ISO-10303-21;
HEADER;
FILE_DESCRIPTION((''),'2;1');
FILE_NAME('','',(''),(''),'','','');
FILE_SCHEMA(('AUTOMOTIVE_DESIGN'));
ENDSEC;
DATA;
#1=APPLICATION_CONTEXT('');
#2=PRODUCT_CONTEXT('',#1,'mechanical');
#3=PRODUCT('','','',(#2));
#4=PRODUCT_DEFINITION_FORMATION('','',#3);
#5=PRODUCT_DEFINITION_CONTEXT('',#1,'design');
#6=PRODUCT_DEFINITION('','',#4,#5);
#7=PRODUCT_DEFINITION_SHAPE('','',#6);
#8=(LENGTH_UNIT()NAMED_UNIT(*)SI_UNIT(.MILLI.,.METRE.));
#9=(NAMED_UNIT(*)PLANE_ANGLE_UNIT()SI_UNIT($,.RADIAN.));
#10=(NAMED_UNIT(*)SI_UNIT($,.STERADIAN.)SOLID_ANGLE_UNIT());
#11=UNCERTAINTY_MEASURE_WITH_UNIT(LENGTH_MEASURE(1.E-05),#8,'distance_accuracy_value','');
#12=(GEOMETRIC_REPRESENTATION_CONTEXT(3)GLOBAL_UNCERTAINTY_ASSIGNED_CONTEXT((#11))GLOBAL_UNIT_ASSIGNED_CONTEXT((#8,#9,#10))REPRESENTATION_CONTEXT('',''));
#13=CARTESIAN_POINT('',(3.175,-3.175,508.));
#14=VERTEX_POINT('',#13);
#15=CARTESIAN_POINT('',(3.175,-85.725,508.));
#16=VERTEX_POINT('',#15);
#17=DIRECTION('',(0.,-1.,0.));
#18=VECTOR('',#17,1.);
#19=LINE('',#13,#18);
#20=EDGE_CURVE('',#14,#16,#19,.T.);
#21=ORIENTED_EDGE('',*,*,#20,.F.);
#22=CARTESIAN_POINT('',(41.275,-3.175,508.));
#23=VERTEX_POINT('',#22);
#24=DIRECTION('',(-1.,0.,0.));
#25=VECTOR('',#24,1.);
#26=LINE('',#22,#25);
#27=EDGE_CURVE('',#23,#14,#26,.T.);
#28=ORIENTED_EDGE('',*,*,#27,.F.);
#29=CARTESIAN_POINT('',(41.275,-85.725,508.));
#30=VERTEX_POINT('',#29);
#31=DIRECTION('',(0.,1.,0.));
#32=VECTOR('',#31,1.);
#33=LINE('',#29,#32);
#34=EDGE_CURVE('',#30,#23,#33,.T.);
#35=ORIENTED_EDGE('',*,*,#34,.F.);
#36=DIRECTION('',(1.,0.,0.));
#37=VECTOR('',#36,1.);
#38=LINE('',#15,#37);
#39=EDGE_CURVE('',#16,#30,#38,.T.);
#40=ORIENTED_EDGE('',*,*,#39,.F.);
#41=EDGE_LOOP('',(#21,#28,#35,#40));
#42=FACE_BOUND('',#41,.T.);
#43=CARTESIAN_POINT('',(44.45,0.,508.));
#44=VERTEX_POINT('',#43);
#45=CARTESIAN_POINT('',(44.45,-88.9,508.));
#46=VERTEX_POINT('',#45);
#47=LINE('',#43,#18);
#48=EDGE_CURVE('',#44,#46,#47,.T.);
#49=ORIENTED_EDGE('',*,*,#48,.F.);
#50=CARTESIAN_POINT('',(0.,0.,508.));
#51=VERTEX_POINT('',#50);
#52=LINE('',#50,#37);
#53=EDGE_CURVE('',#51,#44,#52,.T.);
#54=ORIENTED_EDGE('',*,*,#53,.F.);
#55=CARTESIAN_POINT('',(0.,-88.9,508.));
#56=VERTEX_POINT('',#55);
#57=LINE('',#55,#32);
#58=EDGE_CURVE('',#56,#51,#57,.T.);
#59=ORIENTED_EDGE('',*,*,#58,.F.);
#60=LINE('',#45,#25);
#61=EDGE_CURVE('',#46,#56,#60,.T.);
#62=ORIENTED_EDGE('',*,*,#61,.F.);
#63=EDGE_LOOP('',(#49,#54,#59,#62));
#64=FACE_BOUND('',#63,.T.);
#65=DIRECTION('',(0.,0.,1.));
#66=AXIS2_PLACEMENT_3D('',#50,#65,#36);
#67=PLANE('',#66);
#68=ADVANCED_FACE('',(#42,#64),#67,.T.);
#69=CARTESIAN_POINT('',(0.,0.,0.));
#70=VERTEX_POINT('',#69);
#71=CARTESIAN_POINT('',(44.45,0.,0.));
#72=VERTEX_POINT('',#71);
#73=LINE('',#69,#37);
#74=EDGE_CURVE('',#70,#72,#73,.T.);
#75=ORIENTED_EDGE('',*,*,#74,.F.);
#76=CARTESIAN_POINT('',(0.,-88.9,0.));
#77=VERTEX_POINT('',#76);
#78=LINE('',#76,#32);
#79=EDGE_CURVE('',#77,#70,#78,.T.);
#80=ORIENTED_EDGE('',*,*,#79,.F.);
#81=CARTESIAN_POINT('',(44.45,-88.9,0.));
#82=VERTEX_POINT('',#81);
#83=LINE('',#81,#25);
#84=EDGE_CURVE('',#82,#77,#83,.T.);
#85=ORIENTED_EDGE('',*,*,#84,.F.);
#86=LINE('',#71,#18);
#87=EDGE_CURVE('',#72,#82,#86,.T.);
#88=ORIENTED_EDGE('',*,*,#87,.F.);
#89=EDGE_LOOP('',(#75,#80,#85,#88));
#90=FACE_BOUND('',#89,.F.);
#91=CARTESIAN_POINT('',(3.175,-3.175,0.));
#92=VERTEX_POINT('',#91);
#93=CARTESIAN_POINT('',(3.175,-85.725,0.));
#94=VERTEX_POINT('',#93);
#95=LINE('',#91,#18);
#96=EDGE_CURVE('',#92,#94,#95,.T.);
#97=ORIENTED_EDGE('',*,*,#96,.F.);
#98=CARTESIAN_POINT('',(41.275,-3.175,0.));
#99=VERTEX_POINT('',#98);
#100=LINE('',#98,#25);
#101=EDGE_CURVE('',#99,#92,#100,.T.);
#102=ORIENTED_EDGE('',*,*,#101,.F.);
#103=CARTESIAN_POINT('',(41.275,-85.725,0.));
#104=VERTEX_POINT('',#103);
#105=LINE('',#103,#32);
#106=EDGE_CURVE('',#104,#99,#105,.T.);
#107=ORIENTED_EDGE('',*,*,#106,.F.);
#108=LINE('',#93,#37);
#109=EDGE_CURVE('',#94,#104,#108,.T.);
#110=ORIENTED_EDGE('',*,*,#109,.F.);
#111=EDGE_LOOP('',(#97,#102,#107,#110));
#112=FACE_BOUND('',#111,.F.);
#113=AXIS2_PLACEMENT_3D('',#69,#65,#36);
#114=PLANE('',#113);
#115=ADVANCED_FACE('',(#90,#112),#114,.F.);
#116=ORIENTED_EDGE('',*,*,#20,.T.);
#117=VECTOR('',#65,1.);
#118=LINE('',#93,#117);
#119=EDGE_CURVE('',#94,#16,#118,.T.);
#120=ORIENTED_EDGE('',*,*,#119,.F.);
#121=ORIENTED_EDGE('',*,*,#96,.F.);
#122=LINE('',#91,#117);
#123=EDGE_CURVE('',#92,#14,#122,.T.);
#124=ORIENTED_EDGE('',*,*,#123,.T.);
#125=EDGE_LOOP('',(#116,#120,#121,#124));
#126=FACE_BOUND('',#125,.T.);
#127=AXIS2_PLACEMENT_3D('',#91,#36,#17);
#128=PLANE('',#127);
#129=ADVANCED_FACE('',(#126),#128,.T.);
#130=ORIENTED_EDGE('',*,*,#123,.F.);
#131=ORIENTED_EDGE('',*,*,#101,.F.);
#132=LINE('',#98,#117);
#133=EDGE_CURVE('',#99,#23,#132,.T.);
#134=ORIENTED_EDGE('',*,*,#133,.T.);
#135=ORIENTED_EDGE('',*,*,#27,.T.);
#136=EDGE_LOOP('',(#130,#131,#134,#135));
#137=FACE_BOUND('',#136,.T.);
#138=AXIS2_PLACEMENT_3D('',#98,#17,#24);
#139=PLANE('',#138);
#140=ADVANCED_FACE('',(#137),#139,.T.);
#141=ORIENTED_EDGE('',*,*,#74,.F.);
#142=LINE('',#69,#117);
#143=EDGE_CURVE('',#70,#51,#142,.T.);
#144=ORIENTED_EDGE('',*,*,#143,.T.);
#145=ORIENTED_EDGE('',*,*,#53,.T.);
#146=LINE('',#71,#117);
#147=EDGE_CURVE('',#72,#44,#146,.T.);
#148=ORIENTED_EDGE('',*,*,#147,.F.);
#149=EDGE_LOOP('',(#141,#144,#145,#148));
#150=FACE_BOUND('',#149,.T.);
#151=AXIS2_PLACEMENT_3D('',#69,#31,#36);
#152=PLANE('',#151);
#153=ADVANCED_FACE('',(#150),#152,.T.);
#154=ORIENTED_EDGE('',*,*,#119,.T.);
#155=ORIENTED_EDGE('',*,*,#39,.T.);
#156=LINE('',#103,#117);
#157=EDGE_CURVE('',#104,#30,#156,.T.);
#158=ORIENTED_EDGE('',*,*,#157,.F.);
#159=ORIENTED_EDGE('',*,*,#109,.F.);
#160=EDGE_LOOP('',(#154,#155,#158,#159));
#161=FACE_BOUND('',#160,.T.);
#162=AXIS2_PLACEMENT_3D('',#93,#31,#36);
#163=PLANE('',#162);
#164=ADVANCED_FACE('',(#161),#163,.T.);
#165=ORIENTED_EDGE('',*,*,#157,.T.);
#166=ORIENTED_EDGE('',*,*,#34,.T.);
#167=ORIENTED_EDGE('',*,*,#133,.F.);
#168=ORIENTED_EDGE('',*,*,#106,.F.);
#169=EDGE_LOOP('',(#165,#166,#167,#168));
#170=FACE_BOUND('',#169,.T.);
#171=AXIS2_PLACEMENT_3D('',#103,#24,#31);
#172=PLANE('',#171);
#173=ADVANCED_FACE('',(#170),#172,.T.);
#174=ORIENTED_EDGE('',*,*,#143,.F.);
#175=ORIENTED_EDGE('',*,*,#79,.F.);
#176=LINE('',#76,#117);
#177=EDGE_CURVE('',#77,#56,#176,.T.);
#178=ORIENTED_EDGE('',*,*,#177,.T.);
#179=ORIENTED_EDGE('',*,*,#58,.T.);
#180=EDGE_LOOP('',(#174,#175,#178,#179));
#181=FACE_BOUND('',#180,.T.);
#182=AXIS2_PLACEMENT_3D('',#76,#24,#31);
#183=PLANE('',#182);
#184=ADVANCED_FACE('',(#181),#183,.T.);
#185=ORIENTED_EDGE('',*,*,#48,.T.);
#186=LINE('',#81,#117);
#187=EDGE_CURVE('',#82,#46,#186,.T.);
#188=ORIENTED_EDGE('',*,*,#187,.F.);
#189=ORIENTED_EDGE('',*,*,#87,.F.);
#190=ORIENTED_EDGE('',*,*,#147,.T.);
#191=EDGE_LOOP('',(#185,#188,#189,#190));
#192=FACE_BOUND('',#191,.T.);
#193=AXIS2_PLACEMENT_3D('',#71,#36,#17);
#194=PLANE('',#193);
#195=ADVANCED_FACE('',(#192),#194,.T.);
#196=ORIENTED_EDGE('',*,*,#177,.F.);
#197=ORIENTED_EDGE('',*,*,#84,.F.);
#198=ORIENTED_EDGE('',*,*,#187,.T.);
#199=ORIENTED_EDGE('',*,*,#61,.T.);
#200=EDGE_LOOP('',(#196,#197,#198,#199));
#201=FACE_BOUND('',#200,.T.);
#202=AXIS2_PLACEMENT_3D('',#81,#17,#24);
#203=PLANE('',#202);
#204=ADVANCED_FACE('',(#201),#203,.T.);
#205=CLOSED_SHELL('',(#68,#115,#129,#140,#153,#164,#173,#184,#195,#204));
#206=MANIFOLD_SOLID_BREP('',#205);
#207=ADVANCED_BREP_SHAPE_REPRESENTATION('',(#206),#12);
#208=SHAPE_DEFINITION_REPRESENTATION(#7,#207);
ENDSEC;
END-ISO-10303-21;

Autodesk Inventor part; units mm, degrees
ref_plane "YZ Plane" through (0, 0, 0) normal (1, 0, 0) x (0, 1, 0)
ref_plane "XZ Plane" through (0, 0, 0) normal (0, 1, 0) x (-1, 0, 0)
ref_plane "XY Plane" through (0, 0, 0) normal (0, 0, 1) x (1, 0, 0)
sketch "Sketch1" plane through (0, 0, 0) normal (0, 0, 1) x (1, 0, 0)
  line L0 (0, 0) -> (44.45, 0)
  line L1 (44.45, 0) -> (44.45, -88.9)
  line L2 (44.45, -88.9) -> (0, -88.9)
  line L3 (0, -88.9) -> (0, 0)
  line L4 (41.275, -3.175) -> (3.175, -3.175)
  line L5 (3.175, -3.175) -> (3.175, -85.725)
  line L6 (3.175, -85.725) -> (41.275, -85.725)
  line L7 (41.275, -85.725) -> (41.275, -3.175)
  dimension "d0" = 44.45
  dimension "d1" = 88.9
  dimension "d2" = 3.175
extrude "Extrusion1" add sketch "Sketch1" along normal blind 508
properties part number "GE-12027-05"
